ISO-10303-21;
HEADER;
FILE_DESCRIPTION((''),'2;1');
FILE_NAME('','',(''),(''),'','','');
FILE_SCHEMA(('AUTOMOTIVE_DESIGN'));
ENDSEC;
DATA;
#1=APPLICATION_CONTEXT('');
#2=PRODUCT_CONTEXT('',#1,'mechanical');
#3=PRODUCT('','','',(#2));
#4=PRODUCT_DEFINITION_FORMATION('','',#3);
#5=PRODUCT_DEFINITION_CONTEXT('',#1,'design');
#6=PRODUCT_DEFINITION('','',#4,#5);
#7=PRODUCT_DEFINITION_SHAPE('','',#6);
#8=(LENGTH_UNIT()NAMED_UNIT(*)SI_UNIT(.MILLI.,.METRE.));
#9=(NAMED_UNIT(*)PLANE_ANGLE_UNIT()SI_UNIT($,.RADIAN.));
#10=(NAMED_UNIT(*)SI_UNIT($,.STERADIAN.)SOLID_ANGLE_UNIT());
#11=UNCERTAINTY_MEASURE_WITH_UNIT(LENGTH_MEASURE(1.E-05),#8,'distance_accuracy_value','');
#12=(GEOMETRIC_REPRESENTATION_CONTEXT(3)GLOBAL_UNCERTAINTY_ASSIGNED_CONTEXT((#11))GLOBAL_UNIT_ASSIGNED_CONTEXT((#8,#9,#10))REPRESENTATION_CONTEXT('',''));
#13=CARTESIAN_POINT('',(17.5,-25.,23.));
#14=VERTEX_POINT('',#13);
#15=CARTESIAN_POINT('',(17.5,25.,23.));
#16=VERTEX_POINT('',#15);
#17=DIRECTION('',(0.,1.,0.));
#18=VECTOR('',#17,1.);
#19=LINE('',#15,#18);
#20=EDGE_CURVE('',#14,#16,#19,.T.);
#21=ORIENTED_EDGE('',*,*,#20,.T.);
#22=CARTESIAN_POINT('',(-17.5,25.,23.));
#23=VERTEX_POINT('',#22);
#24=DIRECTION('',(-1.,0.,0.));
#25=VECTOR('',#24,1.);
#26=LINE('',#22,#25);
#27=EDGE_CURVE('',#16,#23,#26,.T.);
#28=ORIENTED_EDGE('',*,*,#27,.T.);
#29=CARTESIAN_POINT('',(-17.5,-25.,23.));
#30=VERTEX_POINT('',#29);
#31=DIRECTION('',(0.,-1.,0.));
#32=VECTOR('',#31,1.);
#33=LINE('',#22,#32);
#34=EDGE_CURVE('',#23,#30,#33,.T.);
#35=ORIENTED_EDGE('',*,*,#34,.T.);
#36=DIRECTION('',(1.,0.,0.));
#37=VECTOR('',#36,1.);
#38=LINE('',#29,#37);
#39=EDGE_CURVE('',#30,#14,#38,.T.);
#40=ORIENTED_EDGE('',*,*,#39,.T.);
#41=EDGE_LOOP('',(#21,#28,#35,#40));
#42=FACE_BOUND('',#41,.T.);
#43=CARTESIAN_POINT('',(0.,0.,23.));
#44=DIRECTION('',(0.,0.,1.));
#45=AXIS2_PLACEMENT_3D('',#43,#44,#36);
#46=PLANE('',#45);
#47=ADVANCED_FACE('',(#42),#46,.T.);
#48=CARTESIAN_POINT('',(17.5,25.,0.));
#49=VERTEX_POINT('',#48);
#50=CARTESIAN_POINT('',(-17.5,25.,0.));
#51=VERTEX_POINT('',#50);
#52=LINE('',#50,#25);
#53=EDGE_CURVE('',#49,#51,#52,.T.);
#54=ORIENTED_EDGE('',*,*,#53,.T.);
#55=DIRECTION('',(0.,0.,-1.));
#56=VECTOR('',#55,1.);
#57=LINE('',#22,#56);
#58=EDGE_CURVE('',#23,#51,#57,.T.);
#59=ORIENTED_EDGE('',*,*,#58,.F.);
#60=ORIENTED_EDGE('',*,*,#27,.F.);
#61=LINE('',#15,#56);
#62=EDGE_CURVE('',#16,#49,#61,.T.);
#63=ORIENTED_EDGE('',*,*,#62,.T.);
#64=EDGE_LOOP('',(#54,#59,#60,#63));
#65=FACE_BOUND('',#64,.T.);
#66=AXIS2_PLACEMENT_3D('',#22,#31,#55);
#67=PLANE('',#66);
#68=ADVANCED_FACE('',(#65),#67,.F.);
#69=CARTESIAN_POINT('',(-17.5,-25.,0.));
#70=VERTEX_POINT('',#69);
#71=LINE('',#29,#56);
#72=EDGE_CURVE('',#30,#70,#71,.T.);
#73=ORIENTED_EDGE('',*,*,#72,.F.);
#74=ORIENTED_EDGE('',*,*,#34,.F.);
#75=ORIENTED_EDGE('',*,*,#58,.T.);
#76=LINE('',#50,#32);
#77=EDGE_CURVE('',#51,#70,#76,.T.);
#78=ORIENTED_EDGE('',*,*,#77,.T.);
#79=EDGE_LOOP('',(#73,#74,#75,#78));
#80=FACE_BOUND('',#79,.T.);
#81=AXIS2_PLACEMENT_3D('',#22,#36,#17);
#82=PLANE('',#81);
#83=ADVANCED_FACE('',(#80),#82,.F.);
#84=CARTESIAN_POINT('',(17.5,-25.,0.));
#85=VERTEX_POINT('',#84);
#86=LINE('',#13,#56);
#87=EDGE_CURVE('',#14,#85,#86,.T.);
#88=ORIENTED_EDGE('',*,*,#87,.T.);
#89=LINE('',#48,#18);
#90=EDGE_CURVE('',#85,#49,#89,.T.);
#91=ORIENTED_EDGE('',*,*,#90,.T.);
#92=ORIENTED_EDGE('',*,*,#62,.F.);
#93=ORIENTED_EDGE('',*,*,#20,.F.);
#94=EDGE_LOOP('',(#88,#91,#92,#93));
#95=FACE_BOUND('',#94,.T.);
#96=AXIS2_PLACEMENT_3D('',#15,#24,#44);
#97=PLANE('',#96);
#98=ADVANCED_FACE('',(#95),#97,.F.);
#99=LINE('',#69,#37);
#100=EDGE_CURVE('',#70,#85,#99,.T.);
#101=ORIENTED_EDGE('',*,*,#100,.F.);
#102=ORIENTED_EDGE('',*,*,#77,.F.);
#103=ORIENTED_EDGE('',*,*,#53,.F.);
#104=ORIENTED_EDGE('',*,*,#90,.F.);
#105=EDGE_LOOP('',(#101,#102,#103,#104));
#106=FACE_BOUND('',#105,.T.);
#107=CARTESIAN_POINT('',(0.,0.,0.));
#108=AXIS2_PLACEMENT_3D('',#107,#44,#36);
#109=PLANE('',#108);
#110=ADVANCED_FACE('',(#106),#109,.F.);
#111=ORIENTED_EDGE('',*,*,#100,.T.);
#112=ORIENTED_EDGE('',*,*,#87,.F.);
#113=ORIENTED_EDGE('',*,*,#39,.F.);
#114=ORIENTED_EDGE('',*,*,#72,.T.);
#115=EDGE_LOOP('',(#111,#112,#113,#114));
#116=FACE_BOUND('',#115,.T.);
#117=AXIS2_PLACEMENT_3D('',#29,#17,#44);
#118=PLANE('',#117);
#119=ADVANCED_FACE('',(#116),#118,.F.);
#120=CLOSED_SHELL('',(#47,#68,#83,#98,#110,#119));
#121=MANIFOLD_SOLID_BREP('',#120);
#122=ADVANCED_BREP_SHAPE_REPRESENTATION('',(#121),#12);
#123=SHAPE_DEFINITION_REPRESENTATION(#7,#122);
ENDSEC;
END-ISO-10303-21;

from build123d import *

# Parameters (mm, degrees)
SKETCH_1_W      = 35
SKETCH_1_H      = 50
EXTRUDE_1_DEPTH = 23


with BuildPart() as part:
    # ｽｹｯﾁ1 → ﾎﾞｽ - 押し出し1 (new body)
    with BuildSketch(Plane.XY):
        Rectangle(SKETCH_1_W, SKETCH_1_H)
    extrude(amount=EXTRUDE_1_DEPTH)


solid = part.part
